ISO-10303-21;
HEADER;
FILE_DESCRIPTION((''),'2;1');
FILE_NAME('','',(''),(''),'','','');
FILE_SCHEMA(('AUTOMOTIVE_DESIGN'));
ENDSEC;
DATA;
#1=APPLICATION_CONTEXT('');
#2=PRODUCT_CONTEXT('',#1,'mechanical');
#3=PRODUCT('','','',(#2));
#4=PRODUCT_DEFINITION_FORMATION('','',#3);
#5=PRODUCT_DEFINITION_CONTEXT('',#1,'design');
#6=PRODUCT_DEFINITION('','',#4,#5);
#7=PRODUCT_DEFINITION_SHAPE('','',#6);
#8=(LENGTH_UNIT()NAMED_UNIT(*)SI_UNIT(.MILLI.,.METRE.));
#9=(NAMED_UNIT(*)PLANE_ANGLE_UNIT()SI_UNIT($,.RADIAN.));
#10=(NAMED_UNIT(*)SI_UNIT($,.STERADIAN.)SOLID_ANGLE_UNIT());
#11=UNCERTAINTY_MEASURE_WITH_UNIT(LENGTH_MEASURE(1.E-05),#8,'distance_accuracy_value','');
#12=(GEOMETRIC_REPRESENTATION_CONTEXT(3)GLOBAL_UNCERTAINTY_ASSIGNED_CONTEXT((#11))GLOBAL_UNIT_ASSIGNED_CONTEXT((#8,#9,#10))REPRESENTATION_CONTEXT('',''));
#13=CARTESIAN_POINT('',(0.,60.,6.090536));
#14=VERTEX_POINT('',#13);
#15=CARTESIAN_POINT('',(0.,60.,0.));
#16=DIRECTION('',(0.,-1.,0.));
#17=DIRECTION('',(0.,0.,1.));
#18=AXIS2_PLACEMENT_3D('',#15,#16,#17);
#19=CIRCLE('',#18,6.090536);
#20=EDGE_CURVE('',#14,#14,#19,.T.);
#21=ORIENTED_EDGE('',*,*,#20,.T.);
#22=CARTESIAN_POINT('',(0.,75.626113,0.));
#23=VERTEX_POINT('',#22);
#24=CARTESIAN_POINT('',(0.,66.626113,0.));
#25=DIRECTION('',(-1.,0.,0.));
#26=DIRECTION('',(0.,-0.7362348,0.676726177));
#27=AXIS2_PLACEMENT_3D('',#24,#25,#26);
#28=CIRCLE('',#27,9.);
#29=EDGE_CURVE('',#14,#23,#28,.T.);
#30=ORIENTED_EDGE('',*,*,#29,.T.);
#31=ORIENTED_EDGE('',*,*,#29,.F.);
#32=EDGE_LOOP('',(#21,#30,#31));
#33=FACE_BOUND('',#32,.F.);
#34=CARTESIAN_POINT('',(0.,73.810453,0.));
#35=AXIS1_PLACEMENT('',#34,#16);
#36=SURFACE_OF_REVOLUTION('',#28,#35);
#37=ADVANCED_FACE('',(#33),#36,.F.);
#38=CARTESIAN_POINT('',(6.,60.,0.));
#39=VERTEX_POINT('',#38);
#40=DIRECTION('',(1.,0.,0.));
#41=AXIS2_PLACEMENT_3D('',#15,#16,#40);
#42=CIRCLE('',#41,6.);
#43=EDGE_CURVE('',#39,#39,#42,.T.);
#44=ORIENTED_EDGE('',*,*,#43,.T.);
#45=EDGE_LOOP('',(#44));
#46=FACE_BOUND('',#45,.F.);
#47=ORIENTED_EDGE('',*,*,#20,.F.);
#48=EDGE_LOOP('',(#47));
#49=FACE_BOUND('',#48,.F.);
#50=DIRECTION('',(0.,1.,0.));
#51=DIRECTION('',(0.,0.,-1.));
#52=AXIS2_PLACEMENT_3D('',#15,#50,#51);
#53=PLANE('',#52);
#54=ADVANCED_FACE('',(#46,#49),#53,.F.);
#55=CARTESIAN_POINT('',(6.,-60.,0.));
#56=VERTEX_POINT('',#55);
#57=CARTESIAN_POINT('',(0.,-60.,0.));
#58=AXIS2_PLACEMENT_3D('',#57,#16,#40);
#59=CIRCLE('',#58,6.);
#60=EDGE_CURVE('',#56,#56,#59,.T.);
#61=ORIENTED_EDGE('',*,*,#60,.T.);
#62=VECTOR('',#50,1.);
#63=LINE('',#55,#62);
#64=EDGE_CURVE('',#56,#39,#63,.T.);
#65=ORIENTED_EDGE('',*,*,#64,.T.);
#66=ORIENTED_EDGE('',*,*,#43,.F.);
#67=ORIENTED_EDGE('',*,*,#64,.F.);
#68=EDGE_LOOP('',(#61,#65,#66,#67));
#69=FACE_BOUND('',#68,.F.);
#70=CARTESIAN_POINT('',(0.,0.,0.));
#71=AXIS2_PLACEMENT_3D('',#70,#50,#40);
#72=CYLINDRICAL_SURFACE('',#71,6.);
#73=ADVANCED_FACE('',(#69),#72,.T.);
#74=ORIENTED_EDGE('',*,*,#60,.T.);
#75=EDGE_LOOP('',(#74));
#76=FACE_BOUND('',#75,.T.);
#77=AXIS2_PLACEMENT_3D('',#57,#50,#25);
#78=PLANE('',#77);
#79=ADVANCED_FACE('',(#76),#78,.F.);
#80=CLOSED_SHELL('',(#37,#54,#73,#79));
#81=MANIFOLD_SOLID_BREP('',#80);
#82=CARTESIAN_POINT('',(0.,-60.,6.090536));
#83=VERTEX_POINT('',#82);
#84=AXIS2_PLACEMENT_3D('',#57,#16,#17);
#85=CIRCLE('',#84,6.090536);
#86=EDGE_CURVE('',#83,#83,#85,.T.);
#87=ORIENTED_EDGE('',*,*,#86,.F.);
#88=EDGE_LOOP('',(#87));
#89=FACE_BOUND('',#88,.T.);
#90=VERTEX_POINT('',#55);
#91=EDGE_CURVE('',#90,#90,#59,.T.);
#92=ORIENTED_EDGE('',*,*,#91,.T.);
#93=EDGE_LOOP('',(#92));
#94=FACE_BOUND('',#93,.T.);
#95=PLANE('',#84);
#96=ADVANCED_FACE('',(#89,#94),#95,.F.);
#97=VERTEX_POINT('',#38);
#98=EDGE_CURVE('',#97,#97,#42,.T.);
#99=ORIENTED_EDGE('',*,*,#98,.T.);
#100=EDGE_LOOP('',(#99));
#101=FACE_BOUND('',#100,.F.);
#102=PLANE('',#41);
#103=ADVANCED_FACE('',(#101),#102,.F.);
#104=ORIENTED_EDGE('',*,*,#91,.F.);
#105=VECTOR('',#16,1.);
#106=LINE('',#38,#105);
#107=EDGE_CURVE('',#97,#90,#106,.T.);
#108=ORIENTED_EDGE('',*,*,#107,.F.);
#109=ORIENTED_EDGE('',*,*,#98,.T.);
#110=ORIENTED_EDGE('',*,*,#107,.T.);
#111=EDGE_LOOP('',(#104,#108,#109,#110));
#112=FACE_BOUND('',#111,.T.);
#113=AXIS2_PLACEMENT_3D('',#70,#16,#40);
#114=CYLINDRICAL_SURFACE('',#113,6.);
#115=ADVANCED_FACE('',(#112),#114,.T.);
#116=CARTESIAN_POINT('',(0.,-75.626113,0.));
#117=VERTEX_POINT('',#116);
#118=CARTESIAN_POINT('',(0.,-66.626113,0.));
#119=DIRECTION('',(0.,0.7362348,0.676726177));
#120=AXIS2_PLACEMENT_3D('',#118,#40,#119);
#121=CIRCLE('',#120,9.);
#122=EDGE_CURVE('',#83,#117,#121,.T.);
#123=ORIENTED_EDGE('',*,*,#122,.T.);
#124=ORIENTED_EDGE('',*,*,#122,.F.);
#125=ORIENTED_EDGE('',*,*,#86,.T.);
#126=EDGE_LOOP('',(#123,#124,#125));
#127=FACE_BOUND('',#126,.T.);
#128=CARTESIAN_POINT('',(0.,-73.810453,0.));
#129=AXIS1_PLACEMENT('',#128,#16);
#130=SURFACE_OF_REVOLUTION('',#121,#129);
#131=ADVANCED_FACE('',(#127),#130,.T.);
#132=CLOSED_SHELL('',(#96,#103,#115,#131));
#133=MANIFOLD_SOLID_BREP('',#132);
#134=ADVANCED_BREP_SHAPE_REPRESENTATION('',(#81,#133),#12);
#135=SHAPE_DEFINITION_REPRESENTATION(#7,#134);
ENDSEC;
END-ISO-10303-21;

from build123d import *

# Parameters (mm, degrees)
F0_R     = 6
F1_DEPTH = 60


with BuildPart() as f1:
    # F0 (on Front) → F1 (new body, symmetric)
    with BuildSketch(Plane.XZ):
        Circle(F0_R)
    extrude(amount=F1_DEPTH, both=True)

    # F2 (on Right) → F3 (revolve)
    with BuildSketch(Plane.YZ):
        with BuildLine():
            Line((-60, 0), (-60, 6.090536))
            ThreePointArc((-60, 6.090536), (-69.894521, 8.385554), (-75.626113, 0))
            Line((-75.626113, 0), (-60, 0))
        make_face()
    revolve(axis=Axis((0, -73.810453, 0), (0, -1, 0)))


with BuildPart() as f4_1:
    # F4: instance of F1
    add(f1.part.mirror(Plane.XZ))


solid = Compound([f1.part, f4_1.part])
